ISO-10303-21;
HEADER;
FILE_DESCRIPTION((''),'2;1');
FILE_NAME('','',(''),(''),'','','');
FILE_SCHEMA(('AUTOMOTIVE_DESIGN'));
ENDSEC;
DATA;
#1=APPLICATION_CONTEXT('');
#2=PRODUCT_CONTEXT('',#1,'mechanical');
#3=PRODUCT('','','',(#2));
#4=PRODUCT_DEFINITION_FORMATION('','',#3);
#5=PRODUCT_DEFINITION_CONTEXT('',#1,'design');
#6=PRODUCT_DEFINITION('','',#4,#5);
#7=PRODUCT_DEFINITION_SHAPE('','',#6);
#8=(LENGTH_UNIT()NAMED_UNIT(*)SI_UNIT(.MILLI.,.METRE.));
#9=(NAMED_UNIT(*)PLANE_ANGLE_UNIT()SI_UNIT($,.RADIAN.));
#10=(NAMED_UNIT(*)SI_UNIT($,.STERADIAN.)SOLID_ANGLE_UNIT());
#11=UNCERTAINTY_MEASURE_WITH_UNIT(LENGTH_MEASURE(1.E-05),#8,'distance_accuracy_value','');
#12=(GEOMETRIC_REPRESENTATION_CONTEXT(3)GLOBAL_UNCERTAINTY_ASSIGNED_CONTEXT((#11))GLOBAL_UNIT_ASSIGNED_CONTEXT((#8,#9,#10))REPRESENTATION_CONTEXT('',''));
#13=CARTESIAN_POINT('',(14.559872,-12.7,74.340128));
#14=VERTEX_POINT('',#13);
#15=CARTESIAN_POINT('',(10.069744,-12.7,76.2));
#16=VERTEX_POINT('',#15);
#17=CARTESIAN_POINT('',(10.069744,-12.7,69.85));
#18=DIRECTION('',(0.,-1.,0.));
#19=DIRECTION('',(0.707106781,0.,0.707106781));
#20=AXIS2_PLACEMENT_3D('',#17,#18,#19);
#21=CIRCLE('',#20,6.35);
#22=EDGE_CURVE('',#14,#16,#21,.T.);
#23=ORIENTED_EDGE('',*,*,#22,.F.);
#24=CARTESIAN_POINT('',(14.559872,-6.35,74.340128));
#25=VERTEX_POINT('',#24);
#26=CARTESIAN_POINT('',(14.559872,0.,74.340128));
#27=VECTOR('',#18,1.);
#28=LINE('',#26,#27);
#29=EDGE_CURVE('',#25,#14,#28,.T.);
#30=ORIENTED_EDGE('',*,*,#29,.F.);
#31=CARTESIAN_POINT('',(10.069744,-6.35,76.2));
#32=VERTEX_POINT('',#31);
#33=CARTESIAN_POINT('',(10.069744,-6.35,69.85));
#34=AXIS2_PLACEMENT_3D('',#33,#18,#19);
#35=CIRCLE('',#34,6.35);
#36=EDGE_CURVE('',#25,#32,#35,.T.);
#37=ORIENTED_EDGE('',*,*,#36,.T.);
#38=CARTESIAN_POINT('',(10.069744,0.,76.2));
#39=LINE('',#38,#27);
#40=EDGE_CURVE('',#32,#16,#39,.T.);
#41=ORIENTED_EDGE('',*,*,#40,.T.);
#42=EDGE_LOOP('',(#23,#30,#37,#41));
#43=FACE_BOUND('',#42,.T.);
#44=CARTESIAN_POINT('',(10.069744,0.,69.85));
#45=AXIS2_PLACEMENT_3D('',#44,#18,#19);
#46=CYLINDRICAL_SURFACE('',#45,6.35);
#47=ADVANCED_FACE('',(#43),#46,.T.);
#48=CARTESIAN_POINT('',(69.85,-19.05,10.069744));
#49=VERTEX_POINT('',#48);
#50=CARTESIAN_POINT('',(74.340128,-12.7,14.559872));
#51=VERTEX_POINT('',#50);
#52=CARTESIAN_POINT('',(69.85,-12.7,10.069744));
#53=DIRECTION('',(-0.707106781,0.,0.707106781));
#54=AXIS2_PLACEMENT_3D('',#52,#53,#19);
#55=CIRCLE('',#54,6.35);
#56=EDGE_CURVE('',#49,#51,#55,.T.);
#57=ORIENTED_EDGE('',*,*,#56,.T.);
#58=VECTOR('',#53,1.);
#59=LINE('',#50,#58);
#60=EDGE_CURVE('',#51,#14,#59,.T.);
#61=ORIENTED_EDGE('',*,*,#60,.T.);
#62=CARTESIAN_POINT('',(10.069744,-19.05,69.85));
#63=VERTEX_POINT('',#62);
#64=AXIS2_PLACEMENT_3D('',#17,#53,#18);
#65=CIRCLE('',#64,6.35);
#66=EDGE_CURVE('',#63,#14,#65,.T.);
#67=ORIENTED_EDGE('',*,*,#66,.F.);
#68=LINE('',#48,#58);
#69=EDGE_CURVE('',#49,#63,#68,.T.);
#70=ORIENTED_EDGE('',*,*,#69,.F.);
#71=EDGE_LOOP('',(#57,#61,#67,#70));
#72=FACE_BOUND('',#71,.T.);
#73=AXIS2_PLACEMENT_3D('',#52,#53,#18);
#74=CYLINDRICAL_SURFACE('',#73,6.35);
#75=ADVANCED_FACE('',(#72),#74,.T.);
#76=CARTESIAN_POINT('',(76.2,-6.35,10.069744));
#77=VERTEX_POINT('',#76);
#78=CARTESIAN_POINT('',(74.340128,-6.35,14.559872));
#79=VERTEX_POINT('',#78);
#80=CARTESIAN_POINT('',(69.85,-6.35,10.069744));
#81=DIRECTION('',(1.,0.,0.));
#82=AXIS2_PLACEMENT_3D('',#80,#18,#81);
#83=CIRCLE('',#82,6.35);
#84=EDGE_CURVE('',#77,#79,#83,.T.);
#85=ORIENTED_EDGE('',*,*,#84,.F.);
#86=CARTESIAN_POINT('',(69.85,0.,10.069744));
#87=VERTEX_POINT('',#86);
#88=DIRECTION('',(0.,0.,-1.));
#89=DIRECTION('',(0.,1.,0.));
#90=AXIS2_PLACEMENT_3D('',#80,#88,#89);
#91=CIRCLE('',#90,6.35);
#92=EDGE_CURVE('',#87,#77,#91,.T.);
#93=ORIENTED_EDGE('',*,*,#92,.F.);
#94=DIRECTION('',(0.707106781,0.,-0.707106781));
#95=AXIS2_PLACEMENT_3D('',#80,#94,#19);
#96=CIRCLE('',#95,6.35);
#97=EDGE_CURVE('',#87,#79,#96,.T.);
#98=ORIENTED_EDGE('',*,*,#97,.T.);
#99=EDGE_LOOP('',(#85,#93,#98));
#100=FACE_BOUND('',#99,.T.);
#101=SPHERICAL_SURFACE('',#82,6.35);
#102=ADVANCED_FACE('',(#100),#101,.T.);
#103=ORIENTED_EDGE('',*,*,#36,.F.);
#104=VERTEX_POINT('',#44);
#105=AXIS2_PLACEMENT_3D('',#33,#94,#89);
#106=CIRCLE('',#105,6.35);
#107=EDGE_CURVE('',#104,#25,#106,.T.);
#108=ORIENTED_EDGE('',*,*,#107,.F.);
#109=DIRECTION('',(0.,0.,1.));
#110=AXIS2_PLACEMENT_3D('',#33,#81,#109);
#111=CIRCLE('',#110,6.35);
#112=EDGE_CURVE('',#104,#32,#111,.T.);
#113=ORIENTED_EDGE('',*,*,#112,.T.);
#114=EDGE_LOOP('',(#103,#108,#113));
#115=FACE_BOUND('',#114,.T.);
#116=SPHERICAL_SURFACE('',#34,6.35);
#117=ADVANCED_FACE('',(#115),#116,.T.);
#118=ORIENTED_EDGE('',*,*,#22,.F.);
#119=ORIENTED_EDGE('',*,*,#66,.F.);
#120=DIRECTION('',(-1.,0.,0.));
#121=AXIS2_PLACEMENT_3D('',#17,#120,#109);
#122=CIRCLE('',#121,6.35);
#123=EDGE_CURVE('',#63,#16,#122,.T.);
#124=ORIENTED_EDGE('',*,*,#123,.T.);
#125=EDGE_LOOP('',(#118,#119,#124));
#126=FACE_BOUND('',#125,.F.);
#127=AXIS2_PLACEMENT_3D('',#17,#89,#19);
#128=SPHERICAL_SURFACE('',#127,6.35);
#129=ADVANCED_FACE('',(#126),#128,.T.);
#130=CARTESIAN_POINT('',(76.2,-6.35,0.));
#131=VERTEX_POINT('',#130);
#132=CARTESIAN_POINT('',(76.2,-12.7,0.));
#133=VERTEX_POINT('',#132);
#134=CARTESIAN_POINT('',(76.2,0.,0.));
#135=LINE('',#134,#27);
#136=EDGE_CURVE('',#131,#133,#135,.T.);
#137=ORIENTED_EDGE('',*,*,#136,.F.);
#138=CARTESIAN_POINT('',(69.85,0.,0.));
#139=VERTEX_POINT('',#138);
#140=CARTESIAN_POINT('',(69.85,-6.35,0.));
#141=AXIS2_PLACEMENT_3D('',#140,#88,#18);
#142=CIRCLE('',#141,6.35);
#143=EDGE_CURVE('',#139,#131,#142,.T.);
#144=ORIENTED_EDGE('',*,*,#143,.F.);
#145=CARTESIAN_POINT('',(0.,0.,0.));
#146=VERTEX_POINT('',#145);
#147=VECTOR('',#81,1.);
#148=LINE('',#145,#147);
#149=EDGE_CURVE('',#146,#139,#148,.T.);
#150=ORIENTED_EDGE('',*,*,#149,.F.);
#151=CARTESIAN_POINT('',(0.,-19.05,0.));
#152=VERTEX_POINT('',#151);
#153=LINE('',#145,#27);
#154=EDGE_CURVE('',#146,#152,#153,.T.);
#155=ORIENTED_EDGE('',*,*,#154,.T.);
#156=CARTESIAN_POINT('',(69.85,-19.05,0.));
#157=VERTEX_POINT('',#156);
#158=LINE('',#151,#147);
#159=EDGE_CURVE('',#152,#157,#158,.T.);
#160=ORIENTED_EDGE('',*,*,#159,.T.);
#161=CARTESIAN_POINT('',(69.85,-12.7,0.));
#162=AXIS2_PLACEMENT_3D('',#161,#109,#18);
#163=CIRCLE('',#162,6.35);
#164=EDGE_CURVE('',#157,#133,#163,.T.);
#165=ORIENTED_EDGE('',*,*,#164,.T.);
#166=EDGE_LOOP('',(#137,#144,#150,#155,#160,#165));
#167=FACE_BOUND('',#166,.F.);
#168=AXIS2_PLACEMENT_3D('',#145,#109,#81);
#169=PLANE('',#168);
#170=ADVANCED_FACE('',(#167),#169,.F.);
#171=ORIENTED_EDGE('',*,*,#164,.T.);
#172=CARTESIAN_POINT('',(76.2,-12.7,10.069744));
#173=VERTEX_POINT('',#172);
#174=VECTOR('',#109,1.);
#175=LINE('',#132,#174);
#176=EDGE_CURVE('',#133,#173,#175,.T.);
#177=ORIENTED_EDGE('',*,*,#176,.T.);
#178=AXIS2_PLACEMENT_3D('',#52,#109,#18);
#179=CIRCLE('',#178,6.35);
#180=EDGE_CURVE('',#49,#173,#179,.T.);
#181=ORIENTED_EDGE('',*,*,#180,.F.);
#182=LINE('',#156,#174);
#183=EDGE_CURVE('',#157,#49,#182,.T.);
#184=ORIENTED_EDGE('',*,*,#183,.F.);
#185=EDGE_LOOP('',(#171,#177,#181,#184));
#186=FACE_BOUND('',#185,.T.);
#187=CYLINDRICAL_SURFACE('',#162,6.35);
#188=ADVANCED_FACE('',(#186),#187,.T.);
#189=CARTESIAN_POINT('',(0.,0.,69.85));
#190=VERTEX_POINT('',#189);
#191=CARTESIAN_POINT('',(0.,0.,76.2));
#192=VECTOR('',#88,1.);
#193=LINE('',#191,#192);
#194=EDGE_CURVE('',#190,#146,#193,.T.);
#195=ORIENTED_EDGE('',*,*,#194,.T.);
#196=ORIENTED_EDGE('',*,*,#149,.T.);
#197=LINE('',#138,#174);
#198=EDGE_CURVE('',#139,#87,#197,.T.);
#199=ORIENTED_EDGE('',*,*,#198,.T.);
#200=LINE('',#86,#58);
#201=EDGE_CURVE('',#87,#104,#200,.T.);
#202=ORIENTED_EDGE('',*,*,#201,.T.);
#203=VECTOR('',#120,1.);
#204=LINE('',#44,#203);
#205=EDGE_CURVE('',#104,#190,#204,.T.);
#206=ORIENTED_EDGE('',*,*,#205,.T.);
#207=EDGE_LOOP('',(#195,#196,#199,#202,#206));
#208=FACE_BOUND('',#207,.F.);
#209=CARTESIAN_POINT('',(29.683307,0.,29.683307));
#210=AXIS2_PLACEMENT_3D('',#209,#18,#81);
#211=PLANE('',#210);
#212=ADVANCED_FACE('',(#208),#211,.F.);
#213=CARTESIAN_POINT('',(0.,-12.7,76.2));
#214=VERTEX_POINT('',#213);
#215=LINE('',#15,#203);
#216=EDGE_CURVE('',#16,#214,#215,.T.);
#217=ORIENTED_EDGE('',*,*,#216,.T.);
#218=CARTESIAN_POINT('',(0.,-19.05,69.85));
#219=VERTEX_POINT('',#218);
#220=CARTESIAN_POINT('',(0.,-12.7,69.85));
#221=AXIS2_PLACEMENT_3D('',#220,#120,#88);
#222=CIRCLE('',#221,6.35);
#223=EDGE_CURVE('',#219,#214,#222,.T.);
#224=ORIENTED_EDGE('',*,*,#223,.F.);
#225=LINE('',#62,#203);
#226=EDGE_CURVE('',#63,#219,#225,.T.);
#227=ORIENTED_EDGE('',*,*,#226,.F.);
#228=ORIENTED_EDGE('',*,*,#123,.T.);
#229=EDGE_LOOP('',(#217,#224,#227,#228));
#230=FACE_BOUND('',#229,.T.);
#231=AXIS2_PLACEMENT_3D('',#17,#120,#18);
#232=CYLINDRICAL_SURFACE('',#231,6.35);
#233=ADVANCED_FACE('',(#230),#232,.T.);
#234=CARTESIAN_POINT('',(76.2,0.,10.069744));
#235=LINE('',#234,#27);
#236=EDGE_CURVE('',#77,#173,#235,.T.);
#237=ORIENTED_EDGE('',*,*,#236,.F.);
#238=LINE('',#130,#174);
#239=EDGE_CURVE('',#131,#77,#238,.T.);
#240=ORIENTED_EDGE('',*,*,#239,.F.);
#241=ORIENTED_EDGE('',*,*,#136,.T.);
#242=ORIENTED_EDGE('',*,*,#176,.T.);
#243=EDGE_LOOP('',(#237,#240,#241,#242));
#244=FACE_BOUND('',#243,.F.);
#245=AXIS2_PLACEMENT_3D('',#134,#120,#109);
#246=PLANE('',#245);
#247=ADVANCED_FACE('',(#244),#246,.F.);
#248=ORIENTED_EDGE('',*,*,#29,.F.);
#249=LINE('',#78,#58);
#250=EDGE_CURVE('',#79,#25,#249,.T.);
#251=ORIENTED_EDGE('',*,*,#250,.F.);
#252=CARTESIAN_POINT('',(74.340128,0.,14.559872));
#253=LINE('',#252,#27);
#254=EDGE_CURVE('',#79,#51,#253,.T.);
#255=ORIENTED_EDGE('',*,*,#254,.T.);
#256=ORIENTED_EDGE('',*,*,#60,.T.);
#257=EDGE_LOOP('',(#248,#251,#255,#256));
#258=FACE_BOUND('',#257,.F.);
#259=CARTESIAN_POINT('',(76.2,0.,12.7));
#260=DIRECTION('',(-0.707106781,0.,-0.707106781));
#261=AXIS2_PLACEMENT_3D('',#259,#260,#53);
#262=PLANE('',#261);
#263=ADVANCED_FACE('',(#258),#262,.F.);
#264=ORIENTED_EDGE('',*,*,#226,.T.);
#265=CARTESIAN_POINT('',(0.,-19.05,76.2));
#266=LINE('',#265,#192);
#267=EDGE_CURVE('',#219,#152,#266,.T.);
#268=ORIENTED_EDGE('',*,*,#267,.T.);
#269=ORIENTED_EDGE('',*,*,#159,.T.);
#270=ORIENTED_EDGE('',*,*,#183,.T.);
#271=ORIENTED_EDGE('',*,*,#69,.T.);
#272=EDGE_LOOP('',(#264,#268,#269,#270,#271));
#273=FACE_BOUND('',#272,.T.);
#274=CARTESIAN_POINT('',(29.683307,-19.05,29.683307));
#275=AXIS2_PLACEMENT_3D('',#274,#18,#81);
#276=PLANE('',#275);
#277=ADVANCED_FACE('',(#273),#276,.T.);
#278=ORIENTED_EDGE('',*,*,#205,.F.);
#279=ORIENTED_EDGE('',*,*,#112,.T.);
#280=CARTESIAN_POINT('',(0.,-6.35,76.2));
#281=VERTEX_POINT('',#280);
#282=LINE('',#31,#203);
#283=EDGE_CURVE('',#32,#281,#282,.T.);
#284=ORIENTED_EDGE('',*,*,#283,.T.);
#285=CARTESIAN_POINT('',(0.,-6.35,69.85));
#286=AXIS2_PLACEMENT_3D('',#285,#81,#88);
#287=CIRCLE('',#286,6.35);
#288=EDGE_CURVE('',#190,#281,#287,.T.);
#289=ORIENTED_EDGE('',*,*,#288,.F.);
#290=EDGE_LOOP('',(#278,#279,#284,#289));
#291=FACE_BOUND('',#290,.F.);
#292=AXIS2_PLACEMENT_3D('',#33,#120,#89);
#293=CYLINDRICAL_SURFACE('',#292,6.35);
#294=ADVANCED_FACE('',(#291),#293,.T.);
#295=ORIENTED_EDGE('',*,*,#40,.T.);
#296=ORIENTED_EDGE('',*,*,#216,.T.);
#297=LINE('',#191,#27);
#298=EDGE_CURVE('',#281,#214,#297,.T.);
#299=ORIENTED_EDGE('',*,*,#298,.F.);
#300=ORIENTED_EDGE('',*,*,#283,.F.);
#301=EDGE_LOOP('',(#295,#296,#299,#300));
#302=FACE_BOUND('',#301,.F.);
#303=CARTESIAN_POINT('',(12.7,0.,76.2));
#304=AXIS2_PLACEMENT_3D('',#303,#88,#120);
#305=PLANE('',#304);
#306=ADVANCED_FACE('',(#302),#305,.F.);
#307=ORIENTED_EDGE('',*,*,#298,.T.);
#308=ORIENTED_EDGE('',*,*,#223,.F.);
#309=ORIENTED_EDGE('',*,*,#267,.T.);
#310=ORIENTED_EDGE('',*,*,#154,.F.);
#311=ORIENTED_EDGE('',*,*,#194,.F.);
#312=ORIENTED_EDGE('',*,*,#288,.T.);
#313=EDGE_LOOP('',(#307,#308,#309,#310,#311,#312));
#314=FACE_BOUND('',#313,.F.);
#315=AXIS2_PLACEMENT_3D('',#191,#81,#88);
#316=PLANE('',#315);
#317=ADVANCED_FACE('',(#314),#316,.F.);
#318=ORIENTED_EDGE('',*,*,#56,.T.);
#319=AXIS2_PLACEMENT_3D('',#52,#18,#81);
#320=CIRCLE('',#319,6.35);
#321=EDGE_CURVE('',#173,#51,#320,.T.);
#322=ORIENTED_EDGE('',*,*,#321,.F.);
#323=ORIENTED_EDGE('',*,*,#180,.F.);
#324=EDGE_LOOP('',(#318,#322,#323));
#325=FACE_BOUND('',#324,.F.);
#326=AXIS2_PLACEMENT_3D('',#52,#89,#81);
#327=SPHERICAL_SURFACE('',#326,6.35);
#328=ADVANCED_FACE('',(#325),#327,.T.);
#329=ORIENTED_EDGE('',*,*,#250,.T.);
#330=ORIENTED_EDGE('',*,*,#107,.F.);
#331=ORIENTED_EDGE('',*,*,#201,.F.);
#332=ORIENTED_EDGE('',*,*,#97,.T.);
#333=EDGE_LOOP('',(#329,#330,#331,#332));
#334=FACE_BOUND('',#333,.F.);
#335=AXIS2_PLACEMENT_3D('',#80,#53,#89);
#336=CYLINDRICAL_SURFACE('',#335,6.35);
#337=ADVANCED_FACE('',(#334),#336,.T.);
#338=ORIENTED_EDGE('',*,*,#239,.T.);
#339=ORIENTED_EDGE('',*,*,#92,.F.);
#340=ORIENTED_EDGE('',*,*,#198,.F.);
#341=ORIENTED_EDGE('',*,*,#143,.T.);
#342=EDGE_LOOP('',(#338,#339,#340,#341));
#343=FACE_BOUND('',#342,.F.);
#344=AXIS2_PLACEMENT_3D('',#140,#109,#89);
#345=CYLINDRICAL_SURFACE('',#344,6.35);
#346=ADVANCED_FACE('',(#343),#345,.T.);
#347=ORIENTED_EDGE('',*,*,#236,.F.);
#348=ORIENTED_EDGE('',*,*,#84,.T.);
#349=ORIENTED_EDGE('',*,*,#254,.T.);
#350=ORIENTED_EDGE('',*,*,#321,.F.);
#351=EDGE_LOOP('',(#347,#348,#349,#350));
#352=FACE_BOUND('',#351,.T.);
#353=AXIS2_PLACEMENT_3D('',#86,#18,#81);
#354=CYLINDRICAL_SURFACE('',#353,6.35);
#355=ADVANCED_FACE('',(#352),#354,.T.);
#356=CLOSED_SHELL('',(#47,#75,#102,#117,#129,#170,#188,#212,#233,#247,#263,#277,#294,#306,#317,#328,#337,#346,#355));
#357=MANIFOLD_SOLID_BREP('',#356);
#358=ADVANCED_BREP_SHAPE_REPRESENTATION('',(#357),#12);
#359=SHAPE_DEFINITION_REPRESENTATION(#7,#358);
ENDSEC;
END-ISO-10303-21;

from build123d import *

# Parameters (mm, degrees)
F1_DEPTH = 19.05
F2_R     = 6.35
F3_R     = 6.35


with BuildPart() as f1:
    # F0 (on Front) → F1 (new body)
    with BuildSketch(Plane.XZ):
        Polygon((0, 76.2), (0, 0), (76.2, 0), (76.2, 12.7), (12.7, 76.2), align=None)
    extrude(amount=F1_DEPTH)

    # F2
    f2_edges = [f1.edges().sort_by_distance(p)[0] for p in [
        (12.7, -9.525, 76.2),
        (76.2, -9.525, 12.7),
    ]]
    fillet(f2_edges, radius=F2_R)

    # F3
    f3_edges = [f1.edges().sort_by_distance(p)[0] for p in [
        (44.45, -19.05, 44.45),
        (44.45, 0, 44.45),
    ]]
    fillet(f3_edges, radius=F3_R)


solid = f1.part
